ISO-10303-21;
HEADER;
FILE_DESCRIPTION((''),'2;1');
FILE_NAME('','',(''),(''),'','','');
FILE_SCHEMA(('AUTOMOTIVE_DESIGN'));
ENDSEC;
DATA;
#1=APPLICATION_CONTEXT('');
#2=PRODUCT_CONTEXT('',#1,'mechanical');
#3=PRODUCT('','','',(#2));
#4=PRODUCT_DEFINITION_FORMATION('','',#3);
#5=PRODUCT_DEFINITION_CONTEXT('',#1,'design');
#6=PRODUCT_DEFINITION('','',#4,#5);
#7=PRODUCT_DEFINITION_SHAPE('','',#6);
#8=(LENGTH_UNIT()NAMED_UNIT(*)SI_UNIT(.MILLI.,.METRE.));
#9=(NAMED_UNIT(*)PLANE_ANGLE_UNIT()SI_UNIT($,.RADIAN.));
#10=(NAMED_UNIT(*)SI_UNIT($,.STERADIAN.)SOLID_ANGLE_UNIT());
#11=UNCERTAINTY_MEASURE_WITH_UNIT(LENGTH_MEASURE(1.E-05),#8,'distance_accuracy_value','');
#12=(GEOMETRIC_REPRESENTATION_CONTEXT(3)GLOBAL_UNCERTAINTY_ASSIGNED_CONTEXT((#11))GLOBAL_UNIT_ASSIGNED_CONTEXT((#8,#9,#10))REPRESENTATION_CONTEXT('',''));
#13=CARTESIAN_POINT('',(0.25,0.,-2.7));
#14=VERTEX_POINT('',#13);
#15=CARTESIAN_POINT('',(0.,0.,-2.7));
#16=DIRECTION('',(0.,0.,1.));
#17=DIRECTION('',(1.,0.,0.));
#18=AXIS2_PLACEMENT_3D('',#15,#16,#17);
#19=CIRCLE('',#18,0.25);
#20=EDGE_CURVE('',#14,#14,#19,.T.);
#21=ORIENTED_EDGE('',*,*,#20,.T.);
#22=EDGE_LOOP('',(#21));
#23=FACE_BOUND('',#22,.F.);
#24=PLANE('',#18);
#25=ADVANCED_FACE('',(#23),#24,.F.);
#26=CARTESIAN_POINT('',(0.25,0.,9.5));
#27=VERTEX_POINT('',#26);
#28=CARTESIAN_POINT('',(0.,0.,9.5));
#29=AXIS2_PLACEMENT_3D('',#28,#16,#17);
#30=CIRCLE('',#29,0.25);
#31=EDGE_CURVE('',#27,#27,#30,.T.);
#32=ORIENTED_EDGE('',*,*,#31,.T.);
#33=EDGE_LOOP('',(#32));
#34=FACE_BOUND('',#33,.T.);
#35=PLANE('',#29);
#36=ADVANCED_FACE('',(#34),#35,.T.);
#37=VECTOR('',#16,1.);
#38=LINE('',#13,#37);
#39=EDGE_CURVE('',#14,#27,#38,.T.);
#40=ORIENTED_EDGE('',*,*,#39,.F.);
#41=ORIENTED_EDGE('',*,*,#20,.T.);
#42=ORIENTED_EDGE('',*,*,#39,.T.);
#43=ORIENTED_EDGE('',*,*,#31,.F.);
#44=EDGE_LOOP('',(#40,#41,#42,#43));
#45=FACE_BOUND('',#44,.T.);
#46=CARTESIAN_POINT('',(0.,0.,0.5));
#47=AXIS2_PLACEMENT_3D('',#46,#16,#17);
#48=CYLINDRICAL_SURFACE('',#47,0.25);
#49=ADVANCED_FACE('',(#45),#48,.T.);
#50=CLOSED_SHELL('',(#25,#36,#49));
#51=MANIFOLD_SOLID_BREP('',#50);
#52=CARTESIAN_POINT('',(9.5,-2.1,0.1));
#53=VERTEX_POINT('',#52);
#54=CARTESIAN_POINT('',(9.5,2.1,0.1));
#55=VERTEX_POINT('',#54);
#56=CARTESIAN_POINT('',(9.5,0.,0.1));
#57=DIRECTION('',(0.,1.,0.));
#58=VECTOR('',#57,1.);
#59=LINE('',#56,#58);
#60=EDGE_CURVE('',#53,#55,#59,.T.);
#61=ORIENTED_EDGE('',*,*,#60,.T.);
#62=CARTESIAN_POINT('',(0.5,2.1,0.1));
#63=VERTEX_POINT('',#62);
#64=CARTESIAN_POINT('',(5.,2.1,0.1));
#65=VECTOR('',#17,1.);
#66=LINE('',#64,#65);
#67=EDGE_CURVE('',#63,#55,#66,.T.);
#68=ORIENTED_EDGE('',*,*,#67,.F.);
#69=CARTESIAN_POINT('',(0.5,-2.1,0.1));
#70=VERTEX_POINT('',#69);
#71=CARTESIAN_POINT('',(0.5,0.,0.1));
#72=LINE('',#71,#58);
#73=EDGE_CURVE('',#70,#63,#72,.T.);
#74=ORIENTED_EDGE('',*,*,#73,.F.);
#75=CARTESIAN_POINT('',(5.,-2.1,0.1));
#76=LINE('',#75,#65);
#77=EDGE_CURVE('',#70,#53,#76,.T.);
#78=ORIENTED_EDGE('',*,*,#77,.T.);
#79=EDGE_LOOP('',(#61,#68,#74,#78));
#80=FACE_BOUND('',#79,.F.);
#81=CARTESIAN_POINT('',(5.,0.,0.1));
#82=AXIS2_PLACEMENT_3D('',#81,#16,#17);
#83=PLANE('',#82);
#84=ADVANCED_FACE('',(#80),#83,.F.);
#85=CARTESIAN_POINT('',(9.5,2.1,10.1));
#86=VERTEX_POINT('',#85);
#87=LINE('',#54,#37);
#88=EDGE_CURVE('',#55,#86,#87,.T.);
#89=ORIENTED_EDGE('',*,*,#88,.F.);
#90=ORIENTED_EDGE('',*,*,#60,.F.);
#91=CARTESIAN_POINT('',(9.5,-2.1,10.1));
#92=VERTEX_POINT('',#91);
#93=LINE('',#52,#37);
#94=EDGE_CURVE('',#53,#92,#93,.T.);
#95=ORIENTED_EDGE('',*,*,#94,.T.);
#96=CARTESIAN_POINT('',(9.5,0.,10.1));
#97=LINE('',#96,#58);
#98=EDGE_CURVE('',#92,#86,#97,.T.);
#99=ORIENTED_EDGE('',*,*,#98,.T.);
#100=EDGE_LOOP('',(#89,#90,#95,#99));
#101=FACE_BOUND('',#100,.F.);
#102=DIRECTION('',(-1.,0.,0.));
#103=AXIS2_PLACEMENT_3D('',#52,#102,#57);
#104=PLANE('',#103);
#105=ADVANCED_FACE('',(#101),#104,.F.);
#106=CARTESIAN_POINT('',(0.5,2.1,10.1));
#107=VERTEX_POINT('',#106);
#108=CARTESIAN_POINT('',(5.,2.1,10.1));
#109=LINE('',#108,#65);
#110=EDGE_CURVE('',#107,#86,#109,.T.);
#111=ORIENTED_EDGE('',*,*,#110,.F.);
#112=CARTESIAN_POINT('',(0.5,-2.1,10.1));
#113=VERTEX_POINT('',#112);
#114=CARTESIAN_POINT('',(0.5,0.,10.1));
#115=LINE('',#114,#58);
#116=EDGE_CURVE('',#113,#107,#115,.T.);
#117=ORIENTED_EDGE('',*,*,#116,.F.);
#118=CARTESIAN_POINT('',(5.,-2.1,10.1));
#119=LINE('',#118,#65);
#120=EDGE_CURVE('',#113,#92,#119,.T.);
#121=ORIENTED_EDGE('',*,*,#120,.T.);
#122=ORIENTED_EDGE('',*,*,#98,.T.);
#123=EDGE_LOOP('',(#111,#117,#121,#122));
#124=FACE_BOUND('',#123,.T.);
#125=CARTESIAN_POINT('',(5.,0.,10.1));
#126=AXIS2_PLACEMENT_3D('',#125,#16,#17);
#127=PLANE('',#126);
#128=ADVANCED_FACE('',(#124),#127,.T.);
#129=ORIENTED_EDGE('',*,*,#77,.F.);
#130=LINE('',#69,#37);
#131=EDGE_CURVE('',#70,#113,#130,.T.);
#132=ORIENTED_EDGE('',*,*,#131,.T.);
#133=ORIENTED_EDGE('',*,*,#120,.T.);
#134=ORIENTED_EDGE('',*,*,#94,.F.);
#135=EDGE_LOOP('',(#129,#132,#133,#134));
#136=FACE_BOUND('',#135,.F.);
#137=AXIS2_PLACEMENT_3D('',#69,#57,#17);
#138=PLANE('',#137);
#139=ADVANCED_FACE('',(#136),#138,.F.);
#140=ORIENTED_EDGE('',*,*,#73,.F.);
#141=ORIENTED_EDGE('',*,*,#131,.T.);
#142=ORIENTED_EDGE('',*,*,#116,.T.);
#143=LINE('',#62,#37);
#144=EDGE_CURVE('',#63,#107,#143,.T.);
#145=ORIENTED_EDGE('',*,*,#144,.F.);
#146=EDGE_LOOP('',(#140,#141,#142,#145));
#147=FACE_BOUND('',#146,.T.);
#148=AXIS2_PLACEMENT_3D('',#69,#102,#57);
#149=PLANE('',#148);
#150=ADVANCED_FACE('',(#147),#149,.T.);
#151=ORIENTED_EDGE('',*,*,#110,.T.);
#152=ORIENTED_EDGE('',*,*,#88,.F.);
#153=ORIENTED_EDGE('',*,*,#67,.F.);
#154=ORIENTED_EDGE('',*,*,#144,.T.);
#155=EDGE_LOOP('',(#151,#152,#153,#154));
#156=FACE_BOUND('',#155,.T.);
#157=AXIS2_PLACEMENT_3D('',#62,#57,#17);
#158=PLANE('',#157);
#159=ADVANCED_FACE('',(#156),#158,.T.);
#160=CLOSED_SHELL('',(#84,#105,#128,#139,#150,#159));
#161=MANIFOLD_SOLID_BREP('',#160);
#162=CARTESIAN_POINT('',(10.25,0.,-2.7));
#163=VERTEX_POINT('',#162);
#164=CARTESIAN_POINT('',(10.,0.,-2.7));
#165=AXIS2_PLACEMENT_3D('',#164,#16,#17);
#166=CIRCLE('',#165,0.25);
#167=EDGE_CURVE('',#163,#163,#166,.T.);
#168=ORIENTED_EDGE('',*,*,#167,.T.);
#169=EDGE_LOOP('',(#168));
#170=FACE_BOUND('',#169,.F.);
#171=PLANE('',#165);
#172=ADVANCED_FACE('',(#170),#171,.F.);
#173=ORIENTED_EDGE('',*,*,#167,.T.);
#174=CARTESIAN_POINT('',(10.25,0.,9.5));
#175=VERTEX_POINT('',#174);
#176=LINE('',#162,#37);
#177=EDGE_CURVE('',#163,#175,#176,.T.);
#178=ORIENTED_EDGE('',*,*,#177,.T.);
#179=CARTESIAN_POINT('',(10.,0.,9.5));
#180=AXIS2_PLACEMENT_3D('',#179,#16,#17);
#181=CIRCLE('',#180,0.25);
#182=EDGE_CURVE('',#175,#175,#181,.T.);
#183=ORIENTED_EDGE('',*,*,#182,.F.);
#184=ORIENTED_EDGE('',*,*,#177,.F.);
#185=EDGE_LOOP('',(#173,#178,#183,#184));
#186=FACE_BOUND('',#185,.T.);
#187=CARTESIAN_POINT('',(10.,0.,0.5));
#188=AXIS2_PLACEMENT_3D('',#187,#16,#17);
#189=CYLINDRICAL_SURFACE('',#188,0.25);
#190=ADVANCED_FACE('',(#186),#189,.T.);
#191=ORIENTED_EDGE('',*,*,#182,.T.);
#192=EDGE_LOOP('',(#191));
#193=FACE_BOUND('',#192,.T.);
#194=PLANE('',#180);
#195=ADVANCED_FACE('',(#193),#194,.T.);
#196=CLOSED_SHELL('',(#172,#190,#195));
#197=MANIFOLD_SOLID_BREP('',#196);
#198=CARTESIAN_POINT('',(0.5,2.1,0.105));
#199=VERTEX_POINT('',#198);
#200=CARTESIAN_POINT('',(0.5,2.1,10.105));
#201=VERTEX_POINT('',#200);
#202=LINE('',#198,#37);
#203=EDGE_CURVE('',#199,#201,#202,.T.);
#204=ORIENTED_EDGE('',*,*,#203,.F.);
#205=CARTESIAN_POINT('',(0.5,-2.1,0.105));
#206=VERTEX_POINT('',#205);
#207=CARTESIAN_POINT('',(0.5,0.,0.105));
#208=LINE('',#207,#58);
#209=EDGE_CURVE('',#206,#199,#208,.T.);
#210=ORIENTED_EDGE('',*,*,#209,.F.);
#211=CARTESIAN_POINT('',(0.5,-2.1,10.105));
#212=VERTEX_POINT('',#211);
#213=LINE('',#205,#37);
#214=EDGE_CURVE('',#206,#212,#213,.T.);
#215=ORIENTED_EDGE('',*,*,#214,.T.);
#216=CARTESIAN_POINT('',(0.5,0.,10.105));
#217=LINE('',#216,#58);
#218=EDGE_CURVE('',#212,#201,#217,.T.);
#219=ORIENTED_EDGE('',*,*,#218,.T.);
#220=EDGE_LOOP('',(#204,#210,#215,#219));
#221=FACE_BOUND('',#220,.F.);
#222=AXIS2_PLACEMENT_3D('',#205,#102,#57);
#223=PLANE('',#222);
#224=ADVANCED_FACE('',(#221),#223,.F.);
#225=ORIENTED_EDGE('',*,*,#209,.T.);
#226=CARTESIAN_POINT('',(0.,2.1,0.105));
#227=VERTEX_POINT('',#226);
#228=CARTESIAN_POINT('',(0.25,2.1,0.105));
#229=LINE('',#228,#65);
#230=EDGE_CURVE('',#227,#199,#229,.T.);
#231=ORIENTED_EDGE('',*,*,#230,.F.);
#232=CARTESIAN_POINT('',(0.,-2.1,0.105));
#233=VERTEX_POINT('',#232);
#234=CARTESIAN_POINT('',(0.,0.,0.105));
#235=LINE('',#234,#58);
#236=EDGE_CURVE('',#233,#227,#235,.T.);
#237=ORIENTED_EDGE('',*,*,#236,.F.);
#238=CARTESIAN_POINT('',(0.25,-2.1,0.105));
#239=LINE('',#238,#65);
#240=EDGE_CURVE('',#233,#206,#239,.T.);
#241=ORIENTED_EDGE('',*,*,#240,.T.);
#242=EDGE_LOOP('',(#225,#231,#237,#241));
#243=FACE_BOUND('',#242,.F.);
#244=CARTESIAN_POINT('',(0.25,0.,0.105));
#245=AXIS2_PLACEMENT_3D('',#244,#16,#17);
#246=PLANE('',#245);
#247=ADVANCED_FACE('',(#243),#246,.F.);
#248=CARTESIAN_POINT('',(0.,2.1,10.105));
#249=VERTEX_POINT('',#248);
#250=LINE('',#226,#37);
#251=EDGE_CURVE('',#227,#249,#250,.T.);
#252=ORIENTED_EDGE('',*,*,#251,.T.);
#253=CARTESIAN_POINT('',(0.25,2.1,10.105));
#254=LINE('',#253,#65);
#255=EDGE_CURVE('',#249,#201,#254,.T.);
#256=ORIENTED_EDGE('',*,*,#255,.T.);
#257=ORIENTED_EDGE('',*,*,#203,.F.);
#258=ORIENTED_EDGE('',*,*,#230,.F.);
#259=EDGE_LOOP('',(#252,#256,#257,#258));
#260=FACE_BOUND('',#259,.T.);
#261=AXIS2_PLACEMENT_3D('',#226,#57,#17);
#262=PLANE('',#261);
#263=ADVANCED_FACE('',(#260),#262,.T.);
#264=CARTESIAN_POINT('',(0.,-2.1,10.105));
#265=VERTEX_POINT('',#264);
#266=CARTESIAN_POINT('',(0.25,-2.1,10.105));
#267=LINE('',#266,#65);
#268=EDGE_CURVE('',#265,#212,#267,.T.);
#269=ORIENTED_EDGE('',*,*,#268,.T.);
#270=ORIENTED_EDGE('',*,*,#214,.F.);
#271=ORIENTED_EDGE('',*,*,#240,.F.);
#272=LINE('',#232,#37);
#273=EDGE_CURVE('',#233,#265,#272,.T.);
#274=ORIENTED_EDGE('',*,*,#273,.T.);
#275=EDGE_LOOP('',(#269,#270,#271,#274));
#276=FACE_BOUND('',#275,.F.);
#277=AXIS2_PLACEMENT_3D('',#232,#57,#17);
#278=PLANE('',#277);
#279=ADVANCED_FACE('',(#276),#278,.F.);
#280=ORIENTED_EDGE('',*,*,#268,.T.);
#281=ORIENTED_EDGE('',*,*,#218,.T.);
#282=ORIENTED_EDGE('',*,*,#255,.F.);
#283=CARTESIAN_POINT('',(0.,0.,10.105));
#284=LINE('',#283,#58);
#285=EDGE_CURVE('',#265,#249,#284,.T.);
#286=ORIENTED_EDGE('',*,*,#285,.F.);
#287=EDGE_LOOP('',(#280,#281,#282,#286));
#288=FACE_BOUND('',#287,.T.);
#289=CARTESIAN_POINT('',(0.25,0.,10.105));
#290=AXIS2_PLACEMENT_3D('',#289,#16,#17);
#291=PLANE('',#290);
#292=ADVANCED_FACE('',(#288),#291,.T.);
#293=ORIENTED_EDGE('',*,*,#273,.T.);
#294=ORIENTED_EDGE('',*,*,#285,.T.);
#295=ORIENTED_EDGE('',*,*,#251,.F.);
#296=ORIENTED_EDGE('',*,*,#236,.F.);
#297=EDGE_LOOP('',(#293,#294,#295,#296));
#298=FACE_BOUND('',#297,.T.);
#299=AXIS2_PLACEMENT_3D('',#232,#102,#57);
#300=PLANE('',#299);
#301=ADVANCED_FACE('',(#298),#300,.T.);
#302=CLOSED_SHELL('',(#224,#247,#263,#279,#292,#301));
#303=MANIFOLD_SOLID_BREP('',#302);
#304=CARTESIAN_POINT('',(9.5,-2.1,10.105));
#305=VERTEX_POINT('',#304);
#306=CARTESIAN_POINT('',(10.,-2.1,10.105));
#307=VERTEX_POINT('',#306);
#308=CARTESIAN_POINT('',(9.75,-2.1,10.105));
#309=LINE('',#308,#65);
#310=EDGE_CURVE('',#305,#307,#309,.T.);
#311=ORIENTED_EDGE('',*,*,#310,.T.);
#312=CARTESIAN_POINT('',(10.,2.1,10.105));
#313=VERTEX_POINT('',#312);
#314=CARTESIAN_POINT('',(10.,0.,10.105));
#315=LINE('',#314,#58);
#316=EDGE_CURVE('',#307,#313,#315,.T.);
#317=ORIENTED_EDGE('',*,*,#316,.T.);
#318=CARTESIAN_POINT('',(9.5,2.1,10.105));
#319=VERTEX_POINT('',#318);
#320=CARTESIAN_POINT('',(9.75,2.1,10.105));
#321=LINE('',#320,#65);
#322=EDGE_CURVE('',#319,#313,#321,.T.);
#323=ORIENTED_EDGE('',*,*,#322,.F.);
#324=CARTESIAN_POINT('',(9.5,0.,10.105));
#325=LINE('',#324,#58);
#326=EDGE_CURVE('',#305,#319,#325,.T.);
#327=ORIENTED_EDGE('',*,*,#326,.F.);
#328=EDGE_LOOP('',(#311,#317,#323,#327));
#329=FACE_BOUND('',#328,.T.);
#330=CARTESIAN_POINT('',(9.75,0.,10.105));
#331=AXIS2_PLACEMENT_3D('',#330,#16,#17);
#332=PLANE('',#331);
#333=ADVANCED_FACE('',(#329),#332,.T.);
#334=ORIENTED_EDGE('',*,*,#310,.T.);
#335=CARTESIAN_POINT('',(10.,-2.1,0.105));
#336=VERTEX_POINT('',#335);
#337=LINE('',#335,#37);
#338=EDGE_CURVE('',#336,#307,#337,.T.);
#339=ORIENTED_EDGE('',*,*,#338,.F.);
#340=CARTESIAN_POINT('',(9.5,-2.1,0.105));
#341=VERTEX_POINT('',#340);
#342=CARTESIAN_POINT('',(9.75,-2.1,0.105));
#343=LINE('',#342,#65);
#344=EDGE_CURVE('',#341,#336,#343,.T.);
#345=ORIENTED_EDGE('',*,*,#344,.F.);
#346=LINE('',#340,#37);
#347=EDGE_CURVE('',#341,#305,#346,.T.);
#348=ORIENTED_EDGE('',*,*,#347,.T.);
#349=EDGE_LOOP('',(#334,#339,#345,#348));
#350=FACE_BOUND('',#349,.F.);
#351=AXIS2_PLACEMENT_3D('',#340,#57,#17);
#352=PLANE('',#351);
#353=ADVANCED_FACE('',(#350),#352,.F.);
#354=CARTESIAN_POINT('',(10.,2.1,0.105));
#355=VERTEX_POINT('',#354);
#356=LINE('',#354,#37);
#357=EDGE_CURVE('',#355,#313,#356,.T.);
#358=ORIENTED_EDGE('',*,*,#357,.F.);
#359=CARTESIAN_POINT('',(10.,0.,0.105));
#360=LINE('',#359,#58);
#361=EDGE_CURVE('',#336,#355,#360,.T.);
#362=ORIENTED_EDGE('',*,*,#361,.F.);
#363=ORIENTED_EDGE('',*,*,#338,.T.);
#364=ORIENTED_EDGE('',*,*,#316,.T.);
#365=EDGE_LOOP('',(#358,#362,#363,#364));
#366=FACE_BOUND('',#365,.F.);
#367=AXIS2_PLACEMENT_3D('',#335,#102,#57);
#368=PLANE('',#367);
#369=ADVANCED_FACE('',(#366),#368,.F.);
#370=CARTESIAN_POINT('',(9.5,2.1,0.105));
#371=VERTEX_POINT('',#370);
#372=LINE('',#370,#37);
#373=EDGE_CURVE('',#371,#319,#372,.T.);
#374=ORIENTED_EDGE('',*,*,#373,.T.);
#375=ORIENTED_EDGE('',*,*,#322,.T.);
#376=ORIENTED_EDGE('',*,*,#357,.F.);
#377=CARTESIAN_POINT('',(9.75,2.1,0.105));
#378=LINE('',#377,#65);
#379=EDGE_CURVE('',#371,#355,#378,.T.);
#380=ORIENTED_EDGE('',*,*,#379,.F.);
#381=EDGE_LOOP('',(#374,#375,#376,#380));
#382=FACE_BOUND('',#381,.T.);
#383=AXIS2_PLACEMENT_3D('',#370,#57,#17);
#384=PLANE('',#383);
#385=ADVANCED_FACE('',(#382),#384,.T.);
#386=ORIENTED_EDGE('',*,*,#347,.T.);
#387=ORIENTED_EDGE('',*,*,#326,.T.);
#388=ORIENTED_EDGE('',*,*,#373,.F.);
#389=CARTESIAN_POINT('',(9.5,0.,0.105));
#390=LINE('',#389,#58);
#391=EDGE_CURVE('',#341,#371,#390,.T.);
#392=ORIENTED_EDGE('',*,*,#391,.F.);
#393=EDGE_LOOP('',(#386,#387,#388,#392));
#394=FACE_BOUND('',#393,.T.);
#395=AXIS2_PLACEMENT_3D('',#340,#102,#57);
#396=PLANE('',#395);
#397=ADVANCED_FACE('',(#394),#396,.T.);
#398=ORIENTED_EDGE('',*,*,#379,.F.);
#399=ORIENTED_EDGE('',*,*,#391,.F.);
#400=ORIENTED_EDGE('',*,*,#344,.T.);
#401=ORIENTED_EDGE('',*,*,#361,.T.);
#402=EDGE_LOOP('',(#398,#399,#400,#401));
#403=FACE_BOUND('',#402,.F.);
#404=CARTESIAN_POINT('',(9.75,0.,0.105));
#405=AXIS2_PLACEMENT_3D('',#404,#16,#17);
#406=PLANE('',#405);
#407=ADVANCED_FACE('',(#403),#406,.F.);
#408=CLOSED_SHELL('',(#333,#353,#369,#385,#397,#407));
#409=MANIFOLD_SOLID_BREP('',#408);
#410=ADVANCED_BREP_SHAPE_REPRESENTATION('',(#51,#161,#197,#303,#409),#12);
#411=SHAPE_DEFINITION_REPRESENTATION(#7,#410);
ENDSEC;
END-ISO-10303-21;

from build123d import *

# Parameters (mm, degrees)
SKETCH_W          = 9
SKETCH_H          = 4.2
PAD_DEPTH         = 10
SKETCH001_R       = 0.25
PAD001_DEPTH      = 9
PAD001_DEPTH_BACK = 3.2
SKETCH002_W       = 0.5
SKETCH002_H       = 4.2
PAD002_DEPTH      = 10


with BuildPart() as pad:
    # Sketch → Pad (new body)
    with BuildSketch(Plane.XY.offset(0.1)):
        with Locations((5, 0)):
            Rectangle(SKETCH_W, SKETCH_H)
    extrude(amount=PAD_DEPTH)


with BuildPart() as pad001:
    # Sketch001 → Pad001 (new body, two sides)
    with BuildSketch(Plane.XY.offset(0.5)) as pad001_sk:
        Circle(SKETCH001_R)
        with Locations((10, 0)):
            Circle(SKETCH001_R)
    extrude(amount=PAD001_DEPTH)
    extrude(pad001_sk.sketch, amount=-PAD001_DEPTH_BACK)


with BuildPart() as pad002:
    # Sketch002 → Pad002 (new body)
    with BuildSketch(Plane.XY.offset(0.105)):
        with Locations((0.25, 0)):
            Rectangle(SKETCH002_W, SKETCH002_H)
        with Locations((9.75, 0)):
            Rectangle(SKETCH002_W, SKETCH002_H)
    extrude(amount=PAD002_DEPTH)


solid = Compound([pad.part, pad001.part, pad002.part])
